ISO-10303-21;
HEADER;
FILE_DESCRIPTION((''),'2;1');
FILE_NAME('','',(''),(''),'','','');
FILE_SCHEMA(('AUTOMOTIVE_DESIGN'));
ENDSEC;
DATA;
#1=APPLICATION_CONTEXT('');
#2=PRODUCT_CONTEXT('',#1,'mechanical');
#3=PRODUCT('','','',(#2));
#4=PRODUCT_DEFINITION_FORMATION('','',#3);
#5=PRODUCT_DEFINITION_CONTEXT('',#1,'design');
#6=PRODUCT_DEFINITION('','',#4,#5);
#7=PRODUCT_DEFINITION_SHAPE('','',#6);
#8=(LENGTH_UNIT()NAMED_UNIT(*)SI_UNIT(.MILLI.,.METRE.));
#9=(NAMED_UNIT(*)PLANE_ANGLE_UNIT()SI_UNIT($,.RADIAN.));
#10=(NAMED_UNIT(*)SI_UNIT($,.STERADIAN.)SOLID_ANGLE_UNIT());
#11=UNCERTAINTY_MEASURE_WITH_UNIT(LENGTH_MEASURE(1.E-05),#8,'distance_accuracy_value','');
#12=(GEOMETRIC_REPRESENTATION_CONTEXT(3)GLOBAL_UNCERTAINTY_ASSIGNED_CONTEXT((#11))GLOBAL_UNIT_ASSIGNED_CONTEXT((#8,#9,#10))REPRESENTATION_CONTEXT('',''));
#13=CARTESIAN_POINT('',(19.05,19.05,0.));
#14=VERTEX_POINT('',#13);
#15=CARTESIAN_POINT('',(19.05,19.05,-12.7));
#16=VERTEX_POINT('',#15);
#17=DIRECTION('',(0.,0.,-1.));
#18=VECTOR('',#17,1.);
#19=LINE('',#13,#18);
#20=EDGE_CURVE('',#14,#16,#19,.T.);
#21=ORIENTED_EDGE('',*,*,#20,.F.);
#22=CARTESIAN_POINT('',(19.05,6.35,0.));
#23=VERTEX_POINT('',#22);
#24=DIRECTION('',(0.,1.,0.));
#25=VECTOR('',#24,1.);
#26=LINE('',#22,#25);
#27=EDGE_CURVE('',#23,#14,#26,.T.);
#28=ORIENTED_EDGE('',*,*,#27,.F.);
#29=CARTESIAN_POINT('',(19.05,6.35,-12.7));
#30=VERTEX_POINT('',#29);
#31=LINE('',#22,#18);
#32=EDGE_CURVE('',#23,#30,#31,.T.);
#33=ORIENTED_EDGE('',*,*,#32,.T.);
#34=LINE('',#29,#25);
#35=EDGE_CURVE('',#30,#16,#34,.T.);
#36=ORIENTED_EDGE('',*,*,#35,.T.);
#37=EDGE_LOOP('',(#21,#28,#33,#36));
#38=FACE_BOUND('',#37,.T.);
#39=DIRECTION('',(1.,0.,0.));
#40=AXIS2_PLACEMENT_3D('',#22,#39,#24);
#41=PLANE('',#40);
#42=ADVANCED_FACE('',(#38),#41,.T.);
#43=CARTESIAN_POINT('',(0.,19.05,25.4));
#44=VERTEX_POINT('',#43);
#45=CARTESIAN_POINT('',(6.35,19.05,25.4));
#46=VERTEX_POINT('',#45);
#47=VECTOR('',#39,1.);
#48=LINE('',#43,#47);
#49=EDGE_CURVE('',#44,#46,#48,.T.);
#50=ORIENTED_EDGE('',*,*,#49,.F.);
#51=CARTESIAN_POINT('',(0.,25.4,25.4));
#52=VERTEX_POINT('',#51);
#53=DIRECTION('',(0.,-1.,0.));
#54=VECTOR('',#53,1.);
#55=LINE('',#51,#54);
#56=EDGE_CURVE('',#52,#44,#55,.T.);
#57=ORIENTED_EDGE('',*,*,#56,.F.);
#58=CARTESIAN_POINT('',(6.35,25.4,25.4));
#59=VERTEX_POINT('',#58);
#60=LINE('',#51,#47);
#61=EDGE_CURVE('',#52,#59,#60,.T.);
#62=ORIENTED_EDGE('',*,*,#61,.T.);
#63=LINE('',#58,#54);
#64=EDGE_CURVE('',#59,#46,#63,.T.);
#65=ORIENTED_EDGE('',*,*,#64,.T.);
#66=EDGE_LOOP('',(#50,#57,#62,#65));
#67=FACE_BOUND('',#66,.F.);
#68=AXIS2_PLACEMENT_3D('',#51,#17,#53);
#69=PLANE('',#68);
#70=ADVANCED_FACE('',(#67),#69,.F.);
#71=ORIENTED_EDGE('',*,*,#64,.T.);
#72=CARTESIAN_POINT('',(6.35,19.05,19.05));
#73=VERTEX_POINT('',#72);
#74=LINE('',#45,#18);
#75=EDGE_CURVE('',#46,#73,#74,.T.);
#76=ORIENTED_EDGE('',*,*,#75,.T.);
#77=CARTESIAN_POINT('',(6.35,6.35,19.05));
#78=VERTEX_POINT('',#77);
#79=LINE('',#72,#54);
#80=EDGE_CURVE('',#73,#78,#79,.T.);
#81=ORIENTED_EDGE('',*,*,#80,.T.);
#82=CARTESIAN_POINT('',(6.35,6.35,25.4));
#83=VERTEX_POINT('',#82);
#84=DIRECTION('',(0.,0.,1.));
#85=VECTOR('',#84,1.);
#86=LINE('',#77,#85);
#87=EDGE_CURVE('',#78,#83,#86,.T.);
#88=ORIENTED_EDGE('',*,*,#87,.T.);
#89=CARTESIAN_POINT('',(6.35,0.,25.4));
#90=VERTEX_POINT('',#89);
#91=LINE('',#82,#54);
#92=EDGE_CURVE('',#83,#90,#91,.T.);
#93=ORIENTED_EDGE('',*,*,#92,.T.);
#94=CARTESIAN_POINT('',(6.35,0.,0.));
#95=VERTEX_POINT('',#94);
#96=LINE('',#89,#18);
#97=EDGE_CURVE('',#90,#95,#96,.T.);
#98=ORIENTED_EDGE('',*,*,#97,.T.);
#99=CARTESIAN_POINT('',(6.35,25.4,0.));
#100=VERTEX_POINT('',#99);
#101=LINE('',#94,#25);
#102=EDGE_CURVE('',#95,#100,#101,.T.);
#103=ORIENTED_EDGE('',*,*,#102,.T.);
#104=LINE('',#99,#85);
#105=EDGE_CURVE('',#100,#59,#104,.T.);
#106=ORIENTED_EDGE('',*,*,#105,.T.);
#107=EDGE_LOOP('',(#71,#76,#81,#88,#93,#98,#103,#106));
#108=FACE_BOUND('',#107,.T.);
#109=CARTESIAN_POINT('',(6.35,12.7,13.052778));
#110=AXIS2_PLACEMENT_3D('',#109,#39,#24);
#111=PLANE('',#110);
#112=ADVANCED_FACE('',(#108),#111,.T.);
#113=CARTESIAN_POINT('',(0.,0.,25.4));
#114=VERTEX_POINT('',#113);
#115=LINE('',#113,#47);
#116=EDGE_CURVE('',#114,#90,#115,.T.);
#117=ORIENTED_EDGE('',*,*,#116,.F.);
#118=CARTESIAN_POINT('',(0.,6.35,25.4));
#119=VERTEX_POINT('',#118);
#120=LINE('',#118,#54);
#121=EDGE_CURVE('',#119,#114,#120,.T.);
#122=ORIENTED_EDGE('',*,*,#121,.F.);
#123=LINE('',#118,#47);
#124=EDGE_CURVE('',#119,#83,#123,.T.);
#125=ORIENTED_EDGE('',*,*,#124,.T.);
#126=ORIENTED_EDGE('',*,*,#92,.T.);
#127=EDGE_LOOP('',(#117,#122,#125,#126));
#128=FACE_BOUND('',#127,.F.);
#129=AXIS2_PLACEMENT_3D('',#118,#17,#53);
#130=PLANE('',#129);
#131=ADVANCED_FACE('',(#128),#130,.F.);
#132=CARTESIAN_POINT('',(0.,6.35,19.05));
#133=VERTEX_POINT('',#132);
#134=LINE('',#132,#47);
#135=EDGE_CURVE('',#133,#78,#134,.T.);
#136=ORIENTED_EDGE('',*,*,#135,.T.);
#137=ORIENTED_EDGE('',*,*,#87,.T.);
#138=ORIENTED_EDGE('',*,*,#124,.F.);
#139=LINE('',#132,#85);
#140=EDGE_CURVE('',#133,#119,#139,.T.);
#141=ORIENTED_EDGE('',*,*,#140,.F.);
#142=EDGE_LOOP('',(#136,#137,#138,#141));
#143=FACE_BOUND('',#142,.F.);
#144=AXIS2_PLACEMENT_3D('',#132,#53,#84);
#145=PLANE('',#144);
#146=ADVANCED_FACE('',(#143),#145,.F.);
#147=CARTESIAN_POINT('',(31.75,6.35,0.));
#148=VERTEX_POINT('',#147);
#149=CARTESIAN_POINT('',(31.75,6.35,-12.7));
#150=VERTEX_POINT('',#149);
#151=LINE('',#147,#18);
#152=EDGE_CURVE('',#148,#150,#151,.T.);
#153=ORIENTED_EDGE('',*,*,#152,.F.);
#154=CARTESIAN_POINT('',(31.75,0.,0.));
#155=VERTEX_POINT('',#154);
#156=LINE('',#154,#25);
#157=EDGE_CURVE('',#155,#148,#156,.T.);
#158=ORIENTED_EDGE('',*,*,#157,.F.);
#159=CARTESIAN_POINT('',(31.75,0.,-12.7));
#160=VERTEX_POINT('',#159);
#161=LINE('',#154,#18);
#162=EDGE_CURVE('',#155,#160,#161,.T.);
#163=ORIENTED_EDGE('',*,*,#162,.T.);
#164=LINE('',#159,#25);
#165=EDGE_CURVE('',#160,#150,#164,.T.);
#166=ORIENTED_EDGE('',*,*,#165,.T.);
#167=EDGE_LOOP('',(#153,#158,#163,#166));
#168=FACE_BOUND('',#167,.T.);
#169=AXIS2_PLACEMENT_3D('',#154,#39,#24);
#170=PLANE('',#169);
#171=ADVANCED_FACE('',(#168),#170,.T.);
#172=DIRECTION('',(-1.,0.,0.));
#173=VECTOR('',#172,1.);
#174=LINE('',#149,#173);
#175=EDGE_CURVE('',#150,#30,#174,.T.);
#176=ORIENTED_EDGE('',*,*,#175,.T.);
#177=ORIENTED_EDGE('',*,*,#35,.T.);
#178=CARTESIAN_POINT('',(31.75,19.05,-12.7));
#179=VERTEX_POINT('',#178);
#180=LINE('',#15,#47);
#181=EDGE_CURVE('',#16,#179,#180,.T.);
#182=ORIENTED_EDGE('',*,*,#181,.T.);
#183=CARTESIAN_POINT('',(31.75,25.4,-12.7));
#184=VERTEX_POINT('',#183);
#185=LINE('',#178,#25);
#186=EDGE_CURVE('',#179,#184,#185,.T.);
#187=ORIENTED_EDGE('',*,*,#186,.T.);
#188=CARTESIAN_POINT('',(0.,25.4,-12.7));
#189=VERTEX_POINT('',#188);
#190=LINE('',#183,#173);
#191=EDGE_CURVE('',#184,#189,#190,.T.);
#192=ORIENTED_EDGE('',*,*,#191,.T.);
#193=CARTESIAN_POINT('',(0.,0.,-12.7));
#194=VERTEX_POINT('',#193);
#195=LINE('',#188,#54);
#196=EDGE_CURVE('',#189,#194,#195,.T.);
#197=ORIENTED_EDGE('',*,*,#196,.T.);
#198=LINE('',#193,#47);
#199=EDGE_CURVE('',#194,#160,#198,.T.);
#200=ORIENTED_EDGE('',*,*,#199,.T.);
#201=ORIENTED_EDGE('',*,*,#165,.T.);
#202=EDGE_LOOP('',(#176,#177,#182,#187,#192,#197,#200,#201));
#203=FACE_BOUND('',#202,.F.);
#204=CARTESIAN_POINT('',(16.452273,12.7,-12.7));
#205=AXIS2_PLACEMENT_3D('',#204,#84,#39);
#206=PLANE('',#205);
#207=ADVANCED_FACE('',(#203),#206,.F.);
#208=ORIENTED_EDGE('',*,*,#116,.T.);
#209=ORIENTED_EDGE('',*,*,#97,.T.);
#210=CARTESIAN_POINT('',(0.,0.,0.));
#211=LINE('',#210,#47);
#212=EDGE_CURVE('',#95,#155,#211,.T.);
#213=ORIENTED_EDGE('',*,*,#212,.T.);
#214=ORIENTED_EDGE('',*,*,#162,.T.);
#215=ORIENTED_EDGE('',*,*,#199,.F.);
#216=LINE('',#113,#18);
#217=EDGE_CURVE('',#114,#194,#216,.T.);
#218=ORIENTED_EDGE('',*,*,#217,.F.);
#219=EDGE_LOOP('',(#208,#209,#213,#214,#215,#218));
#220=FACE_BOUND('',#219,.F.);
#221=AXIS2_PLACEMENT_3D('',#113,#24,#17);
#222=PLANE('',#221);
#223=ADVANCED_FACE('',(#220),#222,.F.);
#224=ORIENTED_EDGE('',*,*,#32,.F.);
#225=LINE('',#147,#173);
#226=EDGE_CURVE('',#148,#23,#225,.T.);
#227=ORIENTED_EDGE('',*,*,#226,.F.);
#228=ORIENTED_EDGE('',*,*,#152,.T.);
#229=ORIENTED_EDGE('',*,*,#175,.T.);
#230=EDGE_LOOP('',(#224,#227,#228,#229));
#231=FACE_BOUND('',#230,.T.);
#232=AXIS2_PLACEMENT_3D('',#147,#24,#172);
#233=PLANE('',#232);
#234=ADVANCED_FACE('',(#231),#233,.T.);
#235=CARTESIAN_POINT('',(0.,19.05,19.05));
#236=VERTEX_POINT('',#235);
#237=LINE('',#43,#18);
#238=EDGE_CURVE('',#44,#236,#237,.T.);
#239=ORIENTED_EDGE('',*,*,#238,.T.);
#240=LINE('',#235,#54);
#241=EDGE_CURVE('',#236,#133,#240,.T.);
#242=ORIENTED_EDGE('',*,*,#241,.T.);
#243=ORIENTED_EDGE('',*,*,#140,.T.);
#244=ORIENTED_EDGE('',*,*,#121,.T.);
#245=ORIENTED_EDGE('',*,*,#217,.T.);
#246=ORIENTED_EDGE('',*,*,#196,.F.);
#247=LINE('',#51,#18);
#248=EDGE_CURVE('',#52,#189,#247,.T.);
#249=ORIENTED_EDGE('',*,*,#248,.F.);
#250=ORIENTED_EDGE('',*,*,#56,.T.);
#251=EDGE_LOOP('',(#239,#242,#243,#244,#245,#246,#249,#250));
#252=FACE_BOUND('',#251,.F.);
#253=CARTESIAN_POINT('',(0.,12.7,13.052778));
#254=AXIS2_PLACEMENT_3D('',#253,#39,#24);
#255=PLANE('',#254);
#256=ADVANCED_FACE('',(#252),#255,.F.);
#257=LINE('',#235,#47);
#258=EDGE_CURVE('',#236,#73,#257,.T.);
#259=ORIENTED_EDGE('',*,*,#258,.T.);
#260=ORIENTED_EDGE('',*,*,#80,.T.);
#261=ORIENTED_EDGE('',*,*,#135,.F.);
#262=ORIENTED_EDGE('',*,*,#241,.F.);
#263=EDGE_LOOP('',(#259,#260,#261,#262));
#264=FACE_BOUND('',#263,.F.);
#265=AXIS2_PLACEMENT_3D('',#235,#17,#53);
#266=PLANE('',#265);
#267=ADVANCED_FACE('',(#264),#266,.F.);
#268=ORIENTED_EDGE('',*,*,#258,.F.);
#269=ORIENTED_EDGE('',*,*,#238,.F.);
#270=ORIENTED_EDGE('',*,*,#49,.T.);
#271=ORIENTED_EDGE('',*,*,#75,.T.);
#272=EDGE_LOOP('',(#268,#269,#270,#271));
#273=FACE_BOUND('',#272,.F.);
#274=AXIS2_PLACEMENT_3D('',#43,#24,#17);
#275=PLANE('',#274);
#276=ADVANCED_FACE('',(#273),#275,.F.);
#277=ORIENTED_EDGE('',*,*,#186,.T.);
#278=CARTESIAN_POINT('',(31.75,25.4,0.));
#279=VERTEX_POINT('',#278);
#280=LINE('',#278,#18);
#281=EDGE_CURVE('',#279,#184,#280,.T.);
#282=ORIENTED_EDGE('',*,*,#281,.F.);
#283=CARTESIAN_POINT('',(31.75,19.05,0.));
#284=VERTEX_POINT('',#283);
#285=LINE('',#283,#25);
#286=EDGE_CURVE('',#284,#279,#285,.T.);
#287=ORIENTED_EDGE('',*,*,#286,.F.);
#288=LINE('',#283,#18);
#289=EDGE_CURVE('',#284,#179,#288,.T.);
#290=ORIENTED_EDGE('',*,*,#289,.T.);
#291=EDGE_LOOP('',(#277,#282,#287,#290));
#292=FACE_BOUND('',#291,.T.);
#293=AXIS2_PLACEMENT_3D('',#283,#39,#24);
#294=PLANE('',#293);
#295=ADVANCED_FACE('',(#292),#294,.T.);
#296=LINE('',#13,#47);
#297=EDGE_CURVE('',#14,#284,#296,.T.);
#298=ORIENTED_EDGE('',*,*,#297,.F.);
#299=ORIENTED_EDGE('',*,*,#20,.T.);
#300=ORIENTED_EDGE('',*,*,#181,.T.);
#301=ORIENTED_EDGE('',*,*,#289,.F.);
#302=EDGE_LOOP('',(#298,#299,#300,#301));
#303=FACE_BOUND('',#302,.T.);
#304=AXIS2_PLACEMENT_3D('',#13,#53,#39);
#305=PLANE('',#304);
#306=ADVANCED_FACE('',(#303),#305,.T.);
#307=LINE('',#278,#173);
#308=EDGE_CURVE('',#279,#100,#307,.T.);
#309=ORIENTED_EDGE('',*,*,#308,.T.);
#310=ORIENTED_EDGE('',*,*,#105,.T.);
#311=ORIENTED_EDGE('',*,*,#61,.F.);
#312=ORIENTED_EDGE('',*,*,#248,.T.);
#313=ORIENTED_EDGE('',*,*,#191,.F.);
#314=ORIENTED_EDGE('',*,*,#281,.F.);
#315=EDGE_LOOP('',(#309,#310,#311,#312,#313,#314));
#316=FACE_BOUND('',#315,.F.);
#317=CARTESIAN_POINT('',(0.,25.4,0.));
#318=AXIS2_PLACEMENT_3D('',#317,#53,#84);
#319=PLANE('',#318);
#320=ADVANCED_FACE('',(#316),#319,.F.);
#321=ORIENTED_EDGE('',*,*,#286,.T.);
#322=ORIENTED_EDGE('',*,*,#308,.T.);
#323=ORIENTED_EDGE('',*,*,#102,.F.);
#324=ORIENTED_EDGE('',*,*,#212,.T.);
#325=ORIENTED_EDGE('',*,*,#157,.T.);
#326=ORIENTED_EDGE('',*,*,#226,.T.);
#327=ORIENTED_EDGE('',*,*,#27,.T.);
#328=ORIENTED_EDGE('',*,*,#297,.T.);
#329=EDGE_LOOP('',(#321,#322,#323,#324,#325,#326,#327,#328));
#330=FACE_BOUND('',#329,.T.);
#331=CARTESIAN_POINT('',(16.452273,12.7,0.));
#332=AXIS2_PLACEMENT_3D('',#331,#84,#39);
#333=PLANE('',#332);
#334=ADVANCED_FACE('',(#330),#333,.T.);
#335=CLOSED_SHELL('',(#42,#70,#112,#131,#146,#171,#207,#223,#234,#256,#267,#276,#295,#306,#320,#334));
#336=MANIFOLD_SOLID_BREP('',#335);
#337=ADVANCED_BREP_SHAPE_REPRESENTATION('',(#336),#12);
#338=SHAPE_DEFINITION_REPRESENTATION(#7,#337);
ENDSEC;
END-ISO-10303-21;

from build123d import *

# Parameters (mm, degrees)
F1_DEPTH = 12.7
F3_DEPTH = 6.35


with BuildPart() as f1:
    # F0 (on Top) → F1 (new body)
    with BuildSketch(Plane.XY):
        Polygon((0, 25.4), (0, 0), (31.75, 0), (31.75, 6.35), (19.05, 6.35), (19.05, 19.05), (31.75, 19.05), (31.75, 25.4), align=None)
    extrude(amount=-F1_DEPTH)

    # F2 (on Right) → F3 (join)
    with BuildSketch(Plane.YZ):
        Polygon((0, 25.4), (0, 0), (25.4, 0), (25.4, 25.4), (19.05, 25.4), (19.05, 19.05), (6.35, 19.05), (6.35, 25.4), align=None)
    extrude(amount=F3_DEPTH)


solid = f1.part
